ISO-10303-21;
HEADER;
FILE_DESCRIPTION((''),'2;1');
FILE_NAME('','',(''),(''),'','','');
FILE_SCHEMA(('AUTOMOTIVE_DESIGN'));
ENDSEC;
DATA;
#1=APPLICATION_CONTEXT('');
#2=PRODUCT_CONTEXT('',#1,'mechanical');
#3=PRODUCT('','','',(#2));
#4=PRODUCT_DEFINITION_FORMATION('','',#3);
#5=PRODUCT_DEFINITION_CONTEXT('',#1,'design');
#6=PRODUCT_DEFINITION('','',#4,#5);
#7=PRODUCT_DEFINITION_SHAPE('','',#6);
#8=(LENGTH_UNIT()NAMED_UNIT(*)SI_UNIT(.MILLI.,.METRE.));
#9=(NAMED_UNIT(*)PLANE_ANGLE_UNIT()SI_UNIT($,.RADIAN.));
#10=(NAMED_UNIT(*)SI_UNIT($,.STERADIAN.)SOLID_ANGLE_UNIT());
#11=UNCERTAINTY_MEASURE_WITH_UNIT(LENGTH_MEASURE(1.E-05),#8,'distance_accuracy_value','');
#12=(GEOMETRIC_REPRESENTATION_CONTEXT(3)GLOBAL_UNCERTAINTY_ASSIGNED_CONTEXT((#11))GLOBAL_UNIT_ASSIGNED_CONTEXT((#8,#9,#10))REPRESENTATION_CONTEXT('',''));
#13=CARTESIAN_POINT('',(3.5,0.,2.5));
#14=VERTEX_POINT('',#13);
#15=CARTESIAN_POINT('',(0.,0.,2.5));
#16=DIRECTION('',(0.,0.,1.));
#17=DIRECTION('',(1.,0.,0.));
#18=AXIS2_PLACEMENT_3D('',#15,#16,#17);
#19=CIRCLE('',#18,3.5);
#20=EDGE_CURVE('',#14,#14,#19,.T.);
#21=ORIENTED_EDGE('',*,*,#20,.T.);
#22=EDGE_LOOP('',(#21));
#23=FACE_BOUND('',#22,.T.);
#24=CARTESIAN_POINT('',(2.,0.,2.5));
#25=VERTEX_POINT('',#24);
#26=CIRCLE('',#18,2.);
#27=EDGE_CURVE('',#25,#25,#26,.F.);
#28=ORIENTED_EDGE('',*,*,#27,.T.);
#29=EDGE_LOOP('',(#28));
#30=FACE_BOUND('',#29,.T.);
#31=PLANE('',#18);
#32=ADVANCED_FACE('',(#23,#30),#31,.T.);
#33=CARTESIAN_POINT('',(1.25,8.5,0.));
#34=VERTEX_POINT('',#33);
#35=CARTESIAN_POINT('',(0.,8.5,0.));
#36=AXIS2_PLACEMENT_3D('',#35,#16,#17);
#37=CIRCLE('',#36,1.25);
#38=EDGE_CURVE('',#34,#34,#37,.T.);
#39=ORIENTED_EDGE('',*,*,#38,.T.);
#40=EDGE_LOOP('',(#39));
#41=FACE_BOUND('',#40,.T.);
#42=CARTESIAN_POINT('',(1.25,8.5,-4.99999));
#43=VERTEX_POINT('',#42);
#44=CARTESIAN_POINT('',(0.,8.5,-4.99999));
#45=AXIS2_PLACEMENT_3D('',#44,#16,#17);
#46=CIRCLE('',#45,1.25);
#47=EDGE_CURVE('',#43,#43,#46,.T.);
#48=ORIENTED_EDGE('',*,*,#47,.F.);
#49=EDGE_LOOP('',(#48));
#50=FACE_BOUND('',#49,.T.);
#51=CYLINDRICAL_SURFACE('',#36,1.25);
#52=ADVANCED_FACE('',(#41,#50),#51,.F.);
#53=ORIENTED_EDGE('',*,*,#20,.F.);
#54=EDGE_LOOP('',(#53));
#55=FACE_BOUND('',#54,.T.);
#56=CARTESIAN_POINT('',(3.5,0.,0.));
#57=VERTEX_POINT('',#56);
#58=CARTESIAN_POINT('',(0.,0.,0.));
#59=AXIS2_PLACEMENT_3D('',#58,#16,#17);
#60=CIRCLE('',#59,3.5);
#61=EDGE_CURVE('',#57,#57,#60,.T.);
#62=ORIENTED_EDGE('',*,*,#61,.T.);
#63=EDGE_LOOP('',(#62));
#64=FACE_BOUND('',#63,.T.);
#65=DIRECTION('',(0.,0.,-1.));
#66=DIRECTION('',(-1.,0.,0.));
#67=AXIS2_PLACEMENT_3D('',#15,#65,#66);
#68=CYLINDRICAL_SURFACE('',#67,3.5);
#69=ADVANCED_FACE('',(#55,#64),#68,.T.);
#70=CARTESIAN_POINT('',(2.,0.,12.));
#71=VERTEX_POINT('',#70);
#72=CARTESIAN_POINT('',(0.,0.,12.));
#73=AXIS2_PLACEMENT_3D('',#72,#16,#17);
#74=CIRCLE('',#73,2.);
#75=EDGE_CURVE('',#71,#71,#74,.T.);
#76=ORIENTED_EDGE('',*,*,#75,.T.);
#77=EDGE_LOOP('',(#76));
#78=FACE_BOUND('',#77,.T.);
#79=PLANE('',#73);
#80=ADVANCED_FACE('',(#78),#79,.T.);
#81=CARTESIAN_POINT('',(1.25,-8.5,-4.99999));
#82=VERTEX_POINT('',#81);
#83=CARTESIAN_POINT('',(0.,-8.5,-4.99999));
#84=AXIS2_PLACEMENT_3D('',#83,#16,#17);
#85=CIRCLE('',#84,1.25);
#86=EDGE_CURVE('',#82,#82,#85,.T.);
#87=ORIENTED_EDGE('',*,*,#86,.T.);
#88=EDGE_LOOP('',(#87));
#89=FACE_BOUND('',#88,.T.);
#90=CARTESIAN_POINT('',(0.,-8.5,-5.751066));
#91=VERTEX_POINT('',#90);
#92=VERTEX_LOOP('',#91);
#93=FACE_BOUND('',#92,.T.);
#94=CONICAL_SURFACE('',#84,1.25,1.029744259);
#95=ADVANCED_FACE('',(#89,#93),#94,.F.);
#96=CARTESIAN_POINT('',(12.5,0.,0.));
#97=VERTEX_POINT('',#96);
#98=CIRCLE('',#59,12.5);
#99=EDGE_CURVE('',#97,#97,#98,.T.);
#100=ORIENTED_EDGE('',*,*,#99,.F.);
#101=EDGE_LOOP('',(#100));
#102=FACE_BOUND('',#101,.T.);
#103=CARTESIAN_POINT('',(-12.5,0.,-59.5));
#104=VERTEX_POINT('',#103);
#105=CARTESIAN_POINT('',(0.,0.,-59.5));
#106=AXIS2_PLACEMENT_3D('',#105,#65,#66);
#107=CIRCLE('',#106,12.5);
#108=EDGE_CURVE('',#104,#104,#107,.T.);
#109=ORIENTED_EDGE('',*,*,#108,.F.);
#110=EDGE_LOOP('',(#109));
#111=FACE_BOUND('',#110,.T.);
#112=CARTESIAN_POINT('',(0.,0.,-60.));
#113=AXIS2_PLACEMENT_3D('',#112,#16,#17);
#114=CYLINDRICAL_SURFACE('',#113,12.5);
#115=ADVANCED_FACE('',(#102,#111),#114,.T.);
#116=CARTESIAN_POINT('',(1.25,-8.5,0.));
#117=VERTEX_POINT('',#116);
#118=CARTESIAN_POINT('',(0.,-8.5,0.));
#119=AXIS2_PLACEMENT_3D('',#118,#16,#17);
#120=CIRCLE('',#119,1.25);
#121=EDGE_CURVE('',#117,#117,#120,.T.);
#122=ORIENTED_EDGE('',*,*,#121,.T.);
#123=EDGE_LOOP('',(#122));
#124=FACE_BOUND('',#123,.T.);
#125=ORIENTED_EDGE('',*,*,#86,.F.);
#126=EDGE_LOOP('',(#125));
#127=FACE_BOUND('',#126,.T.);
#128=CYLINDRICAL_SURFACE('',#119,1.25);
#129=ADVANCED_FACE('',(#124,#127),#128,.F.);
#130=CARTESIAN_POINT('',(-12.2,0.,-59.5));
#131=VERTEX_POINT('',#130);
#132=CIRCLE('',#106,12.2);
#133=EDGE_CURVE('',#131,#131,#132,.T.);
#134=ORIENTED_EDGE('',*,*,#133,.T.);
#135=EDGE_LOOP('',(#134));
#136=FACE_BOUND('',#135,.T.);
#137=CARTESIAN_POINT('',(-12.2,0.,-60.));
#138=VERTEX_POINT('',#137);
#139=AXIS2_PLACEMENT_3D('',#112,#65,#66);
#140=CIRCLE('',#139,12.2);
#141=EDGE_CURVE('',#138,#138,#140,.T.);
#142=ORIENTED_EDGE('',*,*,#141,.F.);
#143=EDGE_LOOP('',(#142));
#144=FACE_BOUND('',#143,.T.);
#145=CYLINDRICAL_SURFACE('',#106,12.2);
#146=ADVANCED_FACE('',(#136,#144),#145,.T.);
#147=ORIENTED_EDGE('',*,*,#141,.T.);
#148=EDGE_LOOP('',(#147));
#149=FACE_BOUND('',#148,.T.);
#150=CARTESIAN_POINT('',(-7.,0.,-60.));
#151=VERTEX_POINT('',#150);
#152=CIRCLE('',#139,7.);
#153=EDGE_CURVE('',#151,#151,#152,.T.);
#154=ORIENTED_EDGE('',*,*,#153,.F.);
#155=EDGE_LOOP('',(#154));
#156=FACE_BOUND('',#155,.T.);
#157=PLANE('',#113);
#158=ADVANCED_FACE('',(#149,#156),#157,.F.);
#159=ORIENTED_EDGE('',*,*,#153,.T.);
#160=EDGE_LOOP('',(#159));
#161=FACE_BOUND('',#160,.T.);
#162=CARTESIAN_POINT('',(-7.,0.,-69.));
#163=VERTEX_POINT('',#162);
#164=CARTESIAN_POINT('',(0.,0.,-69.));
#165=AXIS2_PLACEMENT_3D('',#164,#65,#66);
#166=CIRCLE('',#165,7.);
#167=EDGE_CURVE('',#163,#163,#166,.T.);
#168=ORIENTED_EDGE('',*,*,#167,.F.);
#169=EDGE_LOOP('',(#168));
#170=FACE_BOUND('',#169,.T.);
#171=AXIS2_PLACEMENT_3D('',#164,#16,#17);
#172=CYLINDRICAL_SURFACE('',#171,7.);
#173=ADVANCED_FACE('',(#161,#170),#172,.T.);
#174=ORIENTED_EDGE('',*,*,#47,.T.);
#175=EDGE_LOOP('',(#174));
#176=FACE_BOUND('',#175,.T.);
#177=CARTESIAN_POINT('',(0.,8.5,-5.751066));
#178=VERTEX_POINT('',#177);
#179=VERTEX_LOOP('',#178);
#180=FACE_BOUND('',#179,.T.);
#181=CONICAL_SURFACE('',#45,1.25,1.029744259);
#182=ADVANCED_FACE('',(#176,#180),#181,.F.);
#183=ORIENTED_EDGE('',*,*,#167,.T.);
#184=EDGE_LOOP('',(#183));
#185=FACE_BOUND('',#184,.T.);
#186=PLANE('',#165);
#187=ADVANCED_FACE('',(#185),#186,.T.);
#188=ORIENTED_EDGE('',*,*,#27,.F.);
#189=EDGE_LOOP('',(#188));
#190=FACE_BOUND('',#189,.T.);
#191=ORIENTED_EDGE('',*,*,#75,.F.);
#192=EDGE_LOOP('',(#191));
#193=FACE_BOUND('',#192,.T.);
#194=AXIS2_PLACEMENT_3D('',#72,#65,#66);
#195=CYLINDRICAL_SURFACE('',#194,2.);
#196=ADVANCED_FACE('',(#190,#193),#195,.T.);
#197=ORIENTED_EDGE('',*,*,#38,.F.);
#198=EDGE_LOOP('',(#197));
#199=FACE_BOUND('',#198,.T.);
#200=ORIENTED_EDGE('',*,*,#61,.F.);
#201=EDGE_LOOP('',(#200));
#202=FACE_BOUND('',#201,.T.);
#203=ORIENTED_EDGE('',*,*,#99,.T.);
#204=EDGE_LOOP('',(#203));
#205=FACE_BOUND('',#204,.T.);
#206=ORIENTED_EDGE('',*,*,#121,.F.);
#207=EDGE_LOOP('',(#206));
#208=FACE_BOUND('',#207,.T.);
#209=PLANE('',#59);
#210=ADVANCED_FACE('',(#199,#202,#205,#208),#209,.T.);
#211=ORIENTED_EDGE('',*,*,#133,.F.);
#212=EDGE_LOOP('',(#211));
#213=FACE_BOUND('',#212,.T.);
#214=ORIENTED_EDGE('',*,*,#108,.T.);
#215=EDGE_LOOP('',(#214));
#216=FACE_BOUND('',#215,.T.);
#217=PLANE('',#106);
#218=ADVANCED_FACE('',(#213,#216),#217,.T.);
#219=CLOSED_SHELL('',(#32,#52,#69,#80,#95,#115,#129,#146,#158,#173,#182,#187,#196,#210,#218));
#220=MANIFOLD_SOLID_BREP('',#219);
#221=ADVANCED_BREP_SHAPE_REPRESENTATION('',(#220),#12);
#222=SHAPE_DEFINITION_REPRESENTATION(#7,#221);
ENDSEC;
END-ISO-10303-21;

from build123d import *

# Parameters (mm, degrees)
SKETCH1_R                 = 12.5
BOSS_EXTRUDE1_DEPTH       = 60
SKETCH2_R                 = 3.5
BOSS_EXTRUDE2_DEPTH       = 2.5
SKETCH2_3_R               = 2
BOSS_EXTRUDE3_DEPTH       = 12
M3X0_5_TAPPED_HOLE1_D     = 2.5
M3X0_5_TAPPED_HOLE1_DEPTH = 4.99999
M3X0_5_TAPPED_HOLE1_TIP   = 0.751075774
CUT_EXTRUDE1_START        = -0.5
SKETCH6_R                 = 12.5
SKETCH6_R_2               = 12.2
CUT_EXTRUDE1_DEPTH        = 0.5
SKETCH5_R                 = 7
BOSS_EXTRUDE4_DEPTH       = 9


with BuildPart() as part:
    # Sketch1 → Boss-Extrude1 (new body)
    with BuildSketch(Plane.XY):
        Circle(SKETCH1_R)
    extrude(amount=-BOSS_EXTRUDE1_DEPTH)

    # Sketch2 → Boss-Extrude2 (add)
    with BuildSketch(Plane.XY):
        Circle(SKETCH2_R)
    extrude(amount=BOSS_EXTRUDE2_DEPTH)

    # Sketch2<3> → Boss-Extrude3 (add)
    with BuildSketch(Plane.XY):
        Circle(SKETCH2_3_R)
    extrude(amount=BOSS_EXTRUDE3_DEPTH)

    # M3x0.5 Tapped Hole1
    with Locations(Plane.XY):
        with Locations((0, 8.5), (0, -8.5)):
            Hole(M3X0_5_TAPPED_HOLE1_D / 2, depth=M3X0_5_TAPPED_HOLE1_DEPTH)
            with Locations((0, 0, -(M3X0_5_TAPPED_HOLE1_DEPTH + M3X0_5_TAPPED_HOLE1_TIP / 2))):  # 118° drill point
                Cone(0, M3X0_5_TAPPED_HOLE1_D / 2, M3X0_5_TAPPED_HOLE1_TIP, mode=Mode.SUBTRACT)

    # Sketch6 → Cut-Extrude1 (cut)
    with BuildSketch(Plane(origin=(0, 0, -60), x_dir=(-1, 0, 0), z_dir=(0, 0, -1)).offset(CUT_EXTRUDE1_START)):
        Circle(SKETCH6_R)
        Circle(SKETCH6_R_2, mode=Mode.SUBTRACT)
    extrude(amount=CUT_EXTRUDE1_DEPTH, mode=Mode.SUBTRACT)

    # Sketch5 → Boss-Extrude4 (add)
    with BuildSketch(Plane(origin=(0, 0, -60), x_dir=(-1, 0, 0), z_dir=(0, 0, -1))):
        Circle(SKETCH5_R)
    extrude(amount=BOSS_EXTRUDE4_DEPTH)


solid = part.part
